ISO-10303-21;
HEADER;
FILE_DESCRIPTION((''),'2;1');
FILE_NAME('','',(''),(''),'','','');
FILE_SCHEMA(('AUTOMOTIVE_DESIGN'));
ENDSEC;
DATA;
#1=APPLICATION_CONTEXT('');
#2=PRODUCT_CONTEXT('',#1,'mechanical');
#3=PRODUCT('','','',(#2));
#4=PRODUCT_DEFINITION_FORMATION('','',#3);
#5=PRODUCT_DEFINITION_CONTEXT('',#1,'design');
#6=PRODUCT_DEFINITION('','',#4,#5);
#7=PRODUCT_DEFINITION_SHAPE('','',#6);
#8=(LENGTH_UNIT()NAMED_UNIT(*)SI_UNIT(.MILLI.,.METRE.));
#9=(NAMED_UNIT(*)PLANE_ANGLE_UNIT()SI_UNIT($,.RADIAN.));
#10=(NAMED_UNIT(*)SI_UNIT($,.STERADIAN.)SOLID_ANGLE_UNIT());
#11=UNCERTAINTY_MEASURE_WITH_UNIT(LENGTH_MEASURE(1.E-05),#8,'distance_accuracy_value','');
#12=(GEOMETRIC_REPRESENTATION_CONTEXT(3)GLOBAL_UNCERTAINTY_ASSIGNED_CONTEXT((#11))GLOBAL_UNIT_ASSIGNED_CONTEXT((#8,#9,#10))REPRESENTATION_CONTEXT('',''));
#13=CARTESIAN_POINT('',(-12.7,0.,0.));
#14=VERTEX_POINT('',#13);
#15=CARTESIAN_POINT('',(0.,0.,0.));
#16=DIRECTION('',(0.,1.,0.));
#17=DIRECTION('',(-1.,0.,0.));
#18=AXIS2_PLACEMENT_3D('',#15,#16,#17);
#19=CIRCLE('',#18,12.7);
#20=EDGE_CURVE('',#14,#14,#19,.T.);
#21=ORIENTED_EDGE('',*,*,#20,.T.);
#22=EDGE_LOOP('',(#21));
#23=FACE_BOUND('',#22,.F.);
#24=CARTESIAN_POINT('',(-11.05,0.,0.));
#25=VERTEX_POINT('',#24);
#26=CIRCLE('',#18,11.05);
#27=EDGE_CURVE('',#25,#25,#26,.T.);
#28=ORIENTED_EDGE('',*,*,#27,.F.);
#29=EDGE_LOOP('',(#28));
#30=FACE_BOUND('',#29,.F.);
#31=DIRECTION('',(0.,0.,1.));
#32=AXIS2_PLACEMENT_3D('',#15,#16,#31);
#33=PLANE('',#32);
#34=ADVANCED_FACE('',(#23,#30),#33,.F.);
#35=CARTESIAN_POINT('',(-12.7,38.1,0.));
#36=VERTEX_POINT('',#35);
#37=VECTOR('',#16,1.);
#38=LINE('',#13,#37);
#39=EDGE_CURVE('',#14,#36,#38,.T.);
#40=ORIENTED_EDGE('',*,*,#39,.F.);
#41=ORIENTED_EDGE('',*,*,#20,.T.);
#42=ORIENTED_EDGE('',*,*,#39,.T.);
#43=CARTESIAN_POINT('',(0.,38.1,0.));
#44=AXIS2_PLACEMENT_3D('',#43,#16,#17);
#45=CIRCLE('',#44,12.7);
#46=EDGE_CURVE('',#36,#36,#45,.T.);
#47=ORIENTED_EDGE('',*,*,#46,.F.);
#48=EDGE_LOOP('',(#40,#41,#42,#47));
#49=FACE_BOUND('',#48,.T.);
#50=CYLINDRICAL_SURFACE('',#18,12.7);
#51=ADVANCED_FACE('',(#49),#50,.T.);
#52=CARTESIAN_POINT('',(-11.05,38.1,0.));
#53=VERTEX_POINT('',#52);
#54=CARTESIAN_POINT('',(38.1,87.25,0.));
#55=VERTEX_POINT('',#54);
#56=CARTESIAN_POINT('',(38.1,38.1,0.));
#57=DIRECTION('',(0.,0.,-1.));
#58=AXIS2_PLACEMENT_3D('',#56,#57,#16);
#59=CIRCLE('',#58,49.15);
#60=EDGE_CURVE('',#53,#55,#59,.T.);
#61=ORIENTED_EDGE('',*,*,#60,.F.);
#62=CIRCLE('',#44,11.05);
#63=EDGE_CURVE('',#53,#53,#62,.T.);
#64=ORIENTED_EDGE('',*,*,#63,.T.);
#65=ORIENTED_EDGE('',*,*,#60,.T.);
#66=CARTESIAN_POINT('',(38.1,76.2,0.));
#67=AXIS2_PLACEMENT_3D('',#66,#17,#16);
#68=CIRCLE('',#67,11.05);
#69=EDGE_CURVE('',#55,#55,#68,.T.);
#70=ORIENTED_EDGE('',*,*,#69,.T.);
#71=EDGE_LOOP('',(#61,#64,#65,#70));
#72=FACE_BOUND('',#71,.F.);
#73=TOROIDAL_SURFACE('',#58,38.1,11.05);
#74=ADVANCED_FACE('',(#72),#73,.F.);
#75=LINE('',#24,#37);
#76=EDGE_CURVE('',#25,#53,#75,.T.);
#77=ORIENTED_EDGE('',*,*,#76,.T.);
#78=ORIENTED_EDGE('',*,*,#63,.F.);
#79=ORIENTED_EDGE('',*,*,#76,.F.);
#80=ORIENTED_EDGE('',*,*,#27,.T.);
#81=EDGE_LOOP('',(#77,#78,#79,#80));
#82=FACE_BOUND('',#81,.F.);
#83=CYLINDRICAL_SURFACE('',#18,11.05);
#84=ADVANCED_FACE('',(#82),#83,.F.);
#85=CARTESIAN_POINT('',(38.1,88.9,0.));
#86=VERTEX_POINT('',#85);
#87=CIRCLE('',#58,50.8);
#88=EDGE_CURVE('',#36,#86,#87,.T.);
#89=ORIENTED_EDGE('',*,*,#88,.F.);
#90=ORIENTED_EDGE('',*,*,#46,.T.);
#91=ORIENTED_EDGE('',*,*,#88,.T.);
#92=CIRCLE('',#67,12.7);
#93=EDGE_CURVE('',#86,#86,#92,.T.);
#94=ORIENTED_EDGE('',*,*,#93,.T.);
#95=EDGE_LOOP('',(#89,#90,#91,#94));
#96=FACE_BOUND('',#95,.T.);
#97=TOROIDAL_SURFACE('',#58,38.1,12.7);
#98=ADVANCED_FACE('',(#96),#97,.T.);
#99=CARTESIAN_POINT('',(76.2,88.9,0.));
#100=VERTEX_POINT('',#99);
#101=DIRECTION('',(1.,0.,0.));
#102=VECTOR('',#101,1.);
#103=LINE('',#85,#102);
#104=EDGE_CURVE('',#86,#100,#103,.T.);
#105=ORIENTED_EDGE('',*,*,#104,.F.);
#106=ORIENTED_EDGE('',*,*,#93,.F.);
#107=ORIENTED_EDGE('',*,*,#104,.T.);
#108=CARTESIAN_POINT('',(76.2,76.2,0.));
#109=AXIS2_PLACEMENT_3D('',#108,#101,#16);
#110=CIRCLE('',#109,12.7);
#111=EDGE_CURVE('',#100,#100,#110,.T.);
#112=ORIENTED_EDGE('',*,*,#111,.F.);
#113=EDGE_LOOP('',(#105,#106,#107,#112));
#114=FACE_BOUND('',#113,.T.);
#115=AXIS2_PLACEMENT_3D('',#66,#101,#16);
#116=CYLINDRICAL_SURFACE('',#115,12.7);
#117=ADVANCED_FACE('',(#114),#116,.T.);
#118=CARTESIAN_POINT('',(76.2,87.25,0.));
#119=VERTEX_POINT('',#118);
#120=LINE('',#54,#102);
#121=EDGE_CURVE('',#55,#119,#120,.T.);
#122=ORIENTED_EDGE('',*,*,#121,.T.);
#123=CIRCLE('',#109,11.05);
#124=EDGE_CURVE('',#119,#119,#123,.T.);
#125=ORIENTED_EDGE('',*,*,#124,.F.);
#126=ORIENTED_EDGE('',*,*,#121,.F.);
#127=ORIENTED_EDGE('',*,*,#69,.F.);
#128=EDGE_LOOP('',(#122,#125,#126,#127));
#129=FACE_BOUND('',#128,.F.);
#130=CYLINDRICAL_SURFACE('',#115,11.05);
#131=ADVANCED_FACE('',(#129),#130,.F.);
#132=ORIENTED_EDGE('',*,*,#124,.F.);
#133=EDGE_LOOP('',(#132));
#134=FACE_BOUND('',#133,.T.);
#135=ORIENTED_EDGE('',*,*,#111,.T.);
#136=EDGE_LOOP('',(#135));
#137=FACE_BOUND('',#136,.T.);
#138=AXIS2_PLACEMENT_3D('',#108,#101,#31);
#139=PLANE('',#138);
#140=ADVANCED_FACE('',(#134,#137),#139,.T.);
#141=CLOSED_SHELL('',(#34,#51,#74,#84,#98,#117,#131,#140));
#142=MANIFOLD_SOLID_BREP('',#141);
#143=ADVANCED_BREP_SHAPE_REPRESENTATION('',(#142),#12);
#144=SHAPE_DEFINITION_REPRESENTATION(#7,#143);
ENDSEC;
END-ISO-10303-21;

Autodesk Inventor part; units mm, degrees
ref_plane "YZ Plane" through (0, 0, 0) normal (1, 0, 0) x (0, 1, 0)
ref_plane "XZ Plane" through (0, 0, 0) normal (0, 1, 0) x (-1, 0, 0)
ref_plane "XY Plane" through (0, 0, 0) normal (0, 0, 1) x (1, 0, 0)
sketch "Sketch1" plane through (0, 0, 0) normal (0, 0, 1) x (1, 0, 0)
  line L0 (0, 0) -> (0, 38.1)
  line L1 (38.1, 76.2) -> (76.2, 76.2)
  arc A0 (38.1, 76.2) -> (0, 38.1) centre (38.1, 38.1) ccw
  dimension "d0" = 76.2
  dimension "d1" = 76.2
  dimension "d2" = 38.1
sketch "Sketch2" plane through (0, 0, 0) normal (0, 1, 0) x (-1, 0, 0)
  circle A0 centre (0, 0) radius 12.7
  circle A1 centre (0, 0) radius 11.05
  dimension "d4" = 1.65
  dimension "d5" = 25.4
sweep "Sweep1" add profiles "Sketch2" path "Sketch1"
equation "\"d1\" = d0"
equation "\"d2\" = 0.5 * d0"
properties part number "ASME BPE 90DEG ELB-25.4"
